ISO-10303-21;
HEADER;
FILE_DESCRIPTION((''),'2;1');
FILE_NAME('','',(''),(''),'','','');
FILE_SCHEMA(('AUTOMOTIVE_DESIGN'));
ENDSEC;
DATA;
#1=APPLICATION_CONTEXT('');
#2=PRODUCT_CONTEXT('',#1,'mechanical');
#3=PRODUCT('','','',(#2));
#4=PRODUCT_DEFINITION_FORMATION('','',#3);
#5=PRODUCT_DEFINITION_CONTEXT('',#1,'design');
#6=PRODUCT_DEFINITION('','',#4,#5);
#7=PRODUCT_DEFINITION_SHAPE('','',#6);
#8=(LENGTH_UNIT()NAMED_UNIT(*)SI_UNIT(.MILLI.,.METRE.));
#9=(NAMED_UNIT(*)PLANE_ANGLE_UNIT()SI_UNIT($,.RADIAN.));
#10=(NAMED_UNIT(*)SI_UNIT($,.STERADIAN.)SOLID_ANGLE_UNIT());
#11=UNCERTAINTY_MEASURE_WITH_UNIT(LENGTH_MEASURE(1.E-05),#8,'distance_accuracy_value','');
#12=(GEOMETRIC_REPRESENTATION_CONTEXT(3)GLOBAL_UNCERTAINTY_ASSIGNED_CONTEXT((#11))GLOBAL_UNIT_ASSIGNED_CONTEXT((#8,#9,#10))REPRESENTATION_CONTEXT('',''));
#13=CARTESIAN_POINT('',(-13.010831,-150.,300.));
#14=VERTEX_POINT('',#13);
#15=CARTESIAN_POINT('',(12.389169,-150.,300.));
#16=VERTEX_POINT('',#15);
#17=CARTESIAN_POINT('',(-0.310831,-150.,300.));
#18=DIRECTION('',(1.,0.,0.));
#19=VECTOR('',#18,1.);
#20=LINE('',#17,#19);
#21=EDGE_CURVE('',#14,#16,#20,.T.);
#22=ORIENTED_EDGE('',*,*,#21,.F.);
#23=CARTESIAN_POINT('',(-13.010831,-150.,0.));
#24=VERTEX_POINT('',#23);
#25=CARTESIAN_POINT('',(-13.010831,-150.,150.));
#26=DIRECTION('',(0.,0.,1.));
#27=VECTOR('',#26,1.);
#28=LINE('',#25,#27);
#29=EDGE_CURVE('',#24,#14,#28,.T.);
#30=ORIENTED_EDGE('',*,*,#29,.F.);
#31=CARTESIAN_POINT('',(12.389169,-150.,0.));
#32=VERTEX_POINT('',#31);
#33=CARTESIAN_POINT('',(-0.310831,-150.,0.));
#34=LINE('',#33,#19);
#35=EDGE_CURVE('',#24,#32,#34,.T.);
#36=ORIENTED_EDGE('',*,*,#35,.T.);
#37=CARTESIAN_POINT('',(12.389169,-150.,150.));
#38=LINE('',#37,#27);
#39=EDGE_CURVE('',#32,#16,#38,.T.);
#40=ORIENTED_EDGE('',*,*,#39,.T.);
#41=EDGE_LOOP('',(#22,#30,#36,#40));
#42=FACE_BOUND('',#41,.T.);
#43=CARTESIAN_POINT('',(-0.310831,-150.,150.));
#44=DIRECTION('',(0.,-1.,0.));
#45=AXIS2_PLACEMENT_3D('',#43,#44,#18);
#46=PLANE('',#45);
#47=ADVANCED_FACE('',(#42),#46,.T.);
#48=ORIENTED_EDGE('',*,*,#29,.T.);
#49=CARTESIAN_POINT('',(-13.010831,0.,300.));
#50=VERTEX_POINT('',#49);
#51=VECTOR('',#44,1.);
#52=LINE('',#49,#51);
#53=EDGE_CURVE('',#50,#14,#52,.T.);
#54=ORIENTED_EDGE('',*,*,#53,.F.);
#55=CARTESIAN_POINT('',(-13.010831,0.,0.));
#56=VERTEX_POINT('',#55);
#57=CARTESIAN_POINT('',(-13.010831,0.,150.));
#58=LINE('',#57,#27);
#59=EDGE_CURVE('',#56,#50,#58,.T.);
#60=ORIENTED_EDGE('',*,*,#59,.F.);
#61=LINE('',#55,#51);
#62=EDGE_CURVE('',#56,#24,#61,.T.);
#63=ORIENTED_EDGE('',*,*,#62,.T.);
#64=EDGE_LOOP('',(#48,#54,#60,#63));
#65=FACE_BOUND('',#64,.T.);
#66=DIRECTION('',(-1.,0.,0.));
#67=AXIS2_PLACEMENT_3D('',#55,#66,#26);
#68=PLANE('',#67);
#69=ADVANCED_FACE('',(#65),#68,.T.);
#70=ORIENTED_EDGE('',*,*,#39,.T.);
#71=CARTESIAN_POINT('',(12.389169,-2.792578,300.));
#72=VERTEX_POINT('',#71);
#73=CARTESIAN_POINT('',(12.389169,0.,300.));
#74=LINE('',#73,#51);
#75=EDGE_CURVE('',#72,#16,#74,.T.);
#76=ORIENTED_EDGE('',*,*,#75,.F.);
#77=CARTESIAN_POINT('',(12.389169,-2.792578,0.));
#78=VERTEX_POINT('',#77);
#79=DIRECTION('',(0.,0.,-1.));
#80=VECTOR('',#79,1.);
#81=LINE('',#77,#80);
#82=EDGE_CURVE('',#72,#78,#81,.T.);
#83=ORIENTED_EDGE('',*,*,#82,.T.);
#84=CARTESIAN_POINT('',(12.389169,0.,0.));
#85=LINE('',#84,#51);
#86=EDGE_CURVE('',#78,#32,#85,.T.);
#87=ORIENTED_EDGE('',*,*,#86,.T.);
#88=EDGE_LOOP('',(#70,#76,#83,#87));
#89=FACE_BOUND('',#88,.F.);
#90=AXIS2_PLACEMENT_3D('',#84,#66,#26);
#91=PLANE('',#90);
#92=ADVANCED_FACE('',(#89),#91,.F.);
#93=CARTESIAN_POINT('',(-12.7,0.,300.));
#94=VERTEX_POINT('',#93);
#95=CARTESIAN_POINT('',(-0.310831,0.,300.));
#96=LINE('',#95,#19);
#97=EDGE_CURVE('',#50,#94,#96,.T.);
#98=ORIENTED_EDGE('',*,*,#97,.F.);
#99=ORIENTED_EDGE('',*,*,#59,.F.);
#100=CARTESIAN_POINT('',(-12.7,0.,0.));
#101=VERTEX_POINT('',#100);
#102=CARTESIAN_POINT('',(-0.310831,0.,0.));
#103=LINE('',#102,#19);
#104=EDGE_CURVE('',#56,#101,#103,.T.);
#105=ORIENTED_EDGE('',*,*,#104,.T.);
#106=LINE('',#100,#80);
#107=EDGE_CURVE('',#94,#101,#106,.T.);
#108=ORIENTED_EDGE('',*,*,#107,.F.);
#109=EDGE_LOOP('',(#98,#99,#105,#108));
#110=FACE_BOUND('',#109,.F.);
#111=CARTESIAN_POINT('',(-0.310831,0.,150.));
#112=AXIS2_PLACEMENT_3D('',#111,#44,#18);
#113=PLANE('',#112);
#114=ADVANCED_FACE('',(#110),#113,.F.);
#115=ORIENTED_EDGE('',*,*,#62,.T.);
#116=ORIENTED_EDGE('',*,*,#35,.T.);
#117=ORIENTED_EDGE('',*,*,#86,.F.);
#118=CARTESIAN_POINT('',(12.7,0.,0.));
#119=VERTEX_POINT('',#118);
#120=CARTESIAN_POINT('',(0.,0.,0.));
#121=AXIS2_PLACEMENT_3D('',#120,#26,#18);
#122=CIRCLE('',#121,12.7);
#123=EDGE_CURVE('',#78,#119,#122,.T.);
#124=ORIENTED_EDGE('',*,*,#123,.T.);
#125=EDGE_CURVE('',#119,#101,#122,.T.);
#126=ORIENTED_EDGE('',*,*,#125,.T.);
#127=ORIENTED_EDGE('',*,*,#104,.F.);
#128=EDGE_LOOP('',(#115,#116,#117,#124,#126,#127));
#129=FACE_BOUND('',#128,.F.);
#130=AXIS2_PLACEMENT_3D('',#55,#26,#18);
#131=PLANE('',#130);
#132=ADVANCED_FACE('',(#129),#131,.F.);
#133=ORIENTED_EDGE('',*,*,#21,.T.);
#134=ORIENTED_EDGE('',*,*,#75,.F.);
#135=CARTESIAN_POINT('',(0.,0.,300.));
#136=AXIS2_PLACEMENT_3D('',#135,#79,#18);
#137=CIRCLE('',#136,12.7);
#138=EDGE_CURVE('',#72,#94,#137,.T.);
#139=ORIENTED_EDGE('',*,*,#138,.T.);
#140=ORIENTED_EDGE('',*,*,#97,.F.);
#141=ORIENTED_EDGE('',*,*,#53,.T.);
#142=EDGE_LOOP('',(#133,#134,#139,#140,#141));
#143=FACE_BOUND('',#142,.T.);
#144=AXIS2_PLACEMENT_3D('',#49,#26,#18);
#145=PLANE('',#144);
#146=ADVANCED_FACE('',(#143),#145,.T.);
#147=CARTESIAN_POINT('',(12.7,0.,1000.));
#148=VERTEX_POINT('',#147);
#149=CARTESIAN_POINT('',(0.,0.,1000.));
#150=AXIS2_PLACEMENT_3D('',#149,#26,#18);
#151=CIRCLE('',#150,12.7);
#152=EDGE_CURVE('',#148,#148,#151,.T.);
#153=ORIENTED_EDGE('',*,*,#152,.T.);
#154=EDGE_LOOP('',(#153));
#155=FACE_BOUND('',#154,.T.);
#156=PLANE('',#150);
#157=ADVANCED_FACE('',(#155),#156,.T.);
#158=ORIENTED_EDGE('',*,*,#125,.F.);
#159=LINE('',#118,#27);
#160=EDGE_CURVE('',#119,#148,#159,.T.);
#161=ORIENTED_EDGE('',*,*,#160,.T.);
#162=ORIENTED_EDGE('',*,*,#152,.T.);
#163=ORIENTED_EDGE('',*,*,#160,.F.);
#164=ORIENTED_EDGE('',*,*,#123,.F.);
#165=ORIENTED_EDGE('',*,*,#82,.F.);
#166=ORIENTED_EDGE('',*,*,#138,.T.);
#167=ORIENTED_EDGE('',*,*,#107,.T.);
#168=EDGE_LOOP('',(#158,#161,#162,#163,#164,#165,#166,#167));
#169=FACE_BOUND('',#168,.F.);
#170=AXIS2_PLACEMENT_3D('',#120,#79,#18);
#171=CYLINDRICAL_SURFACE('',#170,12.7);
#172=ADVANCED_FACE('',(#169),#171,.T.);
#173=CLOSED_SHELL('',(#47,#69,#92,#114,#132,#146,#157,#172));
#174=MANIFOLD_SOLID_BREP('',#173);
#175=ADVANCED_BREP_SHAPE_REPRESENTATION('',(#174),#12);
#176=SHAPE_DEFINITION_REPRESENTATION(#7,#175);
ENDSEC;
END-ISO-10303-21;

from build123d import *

# Parameters (mm, degrees)
F0_R     = 12.7
F1_DEPTH = 1000
F2_W     = 25.4
F2_H     = 300
F3_DEPTH = 150


with BuildPart() as f1:
    # F0 (on Top) → F1 (new body)
    with BuildSketch(Plane.XY):
        Circle(F0_R)
    extrude(amount=F1_DEPTH)

    # F2 (on Front) → F3 (join)
    with BuildSketch(Plane.XZ):
        with Locations((-0.310831, 150)):
            Rectangle(F2_W, F2_H)
    extrude(amount=F3_DEPTH)


solid = f1.part
